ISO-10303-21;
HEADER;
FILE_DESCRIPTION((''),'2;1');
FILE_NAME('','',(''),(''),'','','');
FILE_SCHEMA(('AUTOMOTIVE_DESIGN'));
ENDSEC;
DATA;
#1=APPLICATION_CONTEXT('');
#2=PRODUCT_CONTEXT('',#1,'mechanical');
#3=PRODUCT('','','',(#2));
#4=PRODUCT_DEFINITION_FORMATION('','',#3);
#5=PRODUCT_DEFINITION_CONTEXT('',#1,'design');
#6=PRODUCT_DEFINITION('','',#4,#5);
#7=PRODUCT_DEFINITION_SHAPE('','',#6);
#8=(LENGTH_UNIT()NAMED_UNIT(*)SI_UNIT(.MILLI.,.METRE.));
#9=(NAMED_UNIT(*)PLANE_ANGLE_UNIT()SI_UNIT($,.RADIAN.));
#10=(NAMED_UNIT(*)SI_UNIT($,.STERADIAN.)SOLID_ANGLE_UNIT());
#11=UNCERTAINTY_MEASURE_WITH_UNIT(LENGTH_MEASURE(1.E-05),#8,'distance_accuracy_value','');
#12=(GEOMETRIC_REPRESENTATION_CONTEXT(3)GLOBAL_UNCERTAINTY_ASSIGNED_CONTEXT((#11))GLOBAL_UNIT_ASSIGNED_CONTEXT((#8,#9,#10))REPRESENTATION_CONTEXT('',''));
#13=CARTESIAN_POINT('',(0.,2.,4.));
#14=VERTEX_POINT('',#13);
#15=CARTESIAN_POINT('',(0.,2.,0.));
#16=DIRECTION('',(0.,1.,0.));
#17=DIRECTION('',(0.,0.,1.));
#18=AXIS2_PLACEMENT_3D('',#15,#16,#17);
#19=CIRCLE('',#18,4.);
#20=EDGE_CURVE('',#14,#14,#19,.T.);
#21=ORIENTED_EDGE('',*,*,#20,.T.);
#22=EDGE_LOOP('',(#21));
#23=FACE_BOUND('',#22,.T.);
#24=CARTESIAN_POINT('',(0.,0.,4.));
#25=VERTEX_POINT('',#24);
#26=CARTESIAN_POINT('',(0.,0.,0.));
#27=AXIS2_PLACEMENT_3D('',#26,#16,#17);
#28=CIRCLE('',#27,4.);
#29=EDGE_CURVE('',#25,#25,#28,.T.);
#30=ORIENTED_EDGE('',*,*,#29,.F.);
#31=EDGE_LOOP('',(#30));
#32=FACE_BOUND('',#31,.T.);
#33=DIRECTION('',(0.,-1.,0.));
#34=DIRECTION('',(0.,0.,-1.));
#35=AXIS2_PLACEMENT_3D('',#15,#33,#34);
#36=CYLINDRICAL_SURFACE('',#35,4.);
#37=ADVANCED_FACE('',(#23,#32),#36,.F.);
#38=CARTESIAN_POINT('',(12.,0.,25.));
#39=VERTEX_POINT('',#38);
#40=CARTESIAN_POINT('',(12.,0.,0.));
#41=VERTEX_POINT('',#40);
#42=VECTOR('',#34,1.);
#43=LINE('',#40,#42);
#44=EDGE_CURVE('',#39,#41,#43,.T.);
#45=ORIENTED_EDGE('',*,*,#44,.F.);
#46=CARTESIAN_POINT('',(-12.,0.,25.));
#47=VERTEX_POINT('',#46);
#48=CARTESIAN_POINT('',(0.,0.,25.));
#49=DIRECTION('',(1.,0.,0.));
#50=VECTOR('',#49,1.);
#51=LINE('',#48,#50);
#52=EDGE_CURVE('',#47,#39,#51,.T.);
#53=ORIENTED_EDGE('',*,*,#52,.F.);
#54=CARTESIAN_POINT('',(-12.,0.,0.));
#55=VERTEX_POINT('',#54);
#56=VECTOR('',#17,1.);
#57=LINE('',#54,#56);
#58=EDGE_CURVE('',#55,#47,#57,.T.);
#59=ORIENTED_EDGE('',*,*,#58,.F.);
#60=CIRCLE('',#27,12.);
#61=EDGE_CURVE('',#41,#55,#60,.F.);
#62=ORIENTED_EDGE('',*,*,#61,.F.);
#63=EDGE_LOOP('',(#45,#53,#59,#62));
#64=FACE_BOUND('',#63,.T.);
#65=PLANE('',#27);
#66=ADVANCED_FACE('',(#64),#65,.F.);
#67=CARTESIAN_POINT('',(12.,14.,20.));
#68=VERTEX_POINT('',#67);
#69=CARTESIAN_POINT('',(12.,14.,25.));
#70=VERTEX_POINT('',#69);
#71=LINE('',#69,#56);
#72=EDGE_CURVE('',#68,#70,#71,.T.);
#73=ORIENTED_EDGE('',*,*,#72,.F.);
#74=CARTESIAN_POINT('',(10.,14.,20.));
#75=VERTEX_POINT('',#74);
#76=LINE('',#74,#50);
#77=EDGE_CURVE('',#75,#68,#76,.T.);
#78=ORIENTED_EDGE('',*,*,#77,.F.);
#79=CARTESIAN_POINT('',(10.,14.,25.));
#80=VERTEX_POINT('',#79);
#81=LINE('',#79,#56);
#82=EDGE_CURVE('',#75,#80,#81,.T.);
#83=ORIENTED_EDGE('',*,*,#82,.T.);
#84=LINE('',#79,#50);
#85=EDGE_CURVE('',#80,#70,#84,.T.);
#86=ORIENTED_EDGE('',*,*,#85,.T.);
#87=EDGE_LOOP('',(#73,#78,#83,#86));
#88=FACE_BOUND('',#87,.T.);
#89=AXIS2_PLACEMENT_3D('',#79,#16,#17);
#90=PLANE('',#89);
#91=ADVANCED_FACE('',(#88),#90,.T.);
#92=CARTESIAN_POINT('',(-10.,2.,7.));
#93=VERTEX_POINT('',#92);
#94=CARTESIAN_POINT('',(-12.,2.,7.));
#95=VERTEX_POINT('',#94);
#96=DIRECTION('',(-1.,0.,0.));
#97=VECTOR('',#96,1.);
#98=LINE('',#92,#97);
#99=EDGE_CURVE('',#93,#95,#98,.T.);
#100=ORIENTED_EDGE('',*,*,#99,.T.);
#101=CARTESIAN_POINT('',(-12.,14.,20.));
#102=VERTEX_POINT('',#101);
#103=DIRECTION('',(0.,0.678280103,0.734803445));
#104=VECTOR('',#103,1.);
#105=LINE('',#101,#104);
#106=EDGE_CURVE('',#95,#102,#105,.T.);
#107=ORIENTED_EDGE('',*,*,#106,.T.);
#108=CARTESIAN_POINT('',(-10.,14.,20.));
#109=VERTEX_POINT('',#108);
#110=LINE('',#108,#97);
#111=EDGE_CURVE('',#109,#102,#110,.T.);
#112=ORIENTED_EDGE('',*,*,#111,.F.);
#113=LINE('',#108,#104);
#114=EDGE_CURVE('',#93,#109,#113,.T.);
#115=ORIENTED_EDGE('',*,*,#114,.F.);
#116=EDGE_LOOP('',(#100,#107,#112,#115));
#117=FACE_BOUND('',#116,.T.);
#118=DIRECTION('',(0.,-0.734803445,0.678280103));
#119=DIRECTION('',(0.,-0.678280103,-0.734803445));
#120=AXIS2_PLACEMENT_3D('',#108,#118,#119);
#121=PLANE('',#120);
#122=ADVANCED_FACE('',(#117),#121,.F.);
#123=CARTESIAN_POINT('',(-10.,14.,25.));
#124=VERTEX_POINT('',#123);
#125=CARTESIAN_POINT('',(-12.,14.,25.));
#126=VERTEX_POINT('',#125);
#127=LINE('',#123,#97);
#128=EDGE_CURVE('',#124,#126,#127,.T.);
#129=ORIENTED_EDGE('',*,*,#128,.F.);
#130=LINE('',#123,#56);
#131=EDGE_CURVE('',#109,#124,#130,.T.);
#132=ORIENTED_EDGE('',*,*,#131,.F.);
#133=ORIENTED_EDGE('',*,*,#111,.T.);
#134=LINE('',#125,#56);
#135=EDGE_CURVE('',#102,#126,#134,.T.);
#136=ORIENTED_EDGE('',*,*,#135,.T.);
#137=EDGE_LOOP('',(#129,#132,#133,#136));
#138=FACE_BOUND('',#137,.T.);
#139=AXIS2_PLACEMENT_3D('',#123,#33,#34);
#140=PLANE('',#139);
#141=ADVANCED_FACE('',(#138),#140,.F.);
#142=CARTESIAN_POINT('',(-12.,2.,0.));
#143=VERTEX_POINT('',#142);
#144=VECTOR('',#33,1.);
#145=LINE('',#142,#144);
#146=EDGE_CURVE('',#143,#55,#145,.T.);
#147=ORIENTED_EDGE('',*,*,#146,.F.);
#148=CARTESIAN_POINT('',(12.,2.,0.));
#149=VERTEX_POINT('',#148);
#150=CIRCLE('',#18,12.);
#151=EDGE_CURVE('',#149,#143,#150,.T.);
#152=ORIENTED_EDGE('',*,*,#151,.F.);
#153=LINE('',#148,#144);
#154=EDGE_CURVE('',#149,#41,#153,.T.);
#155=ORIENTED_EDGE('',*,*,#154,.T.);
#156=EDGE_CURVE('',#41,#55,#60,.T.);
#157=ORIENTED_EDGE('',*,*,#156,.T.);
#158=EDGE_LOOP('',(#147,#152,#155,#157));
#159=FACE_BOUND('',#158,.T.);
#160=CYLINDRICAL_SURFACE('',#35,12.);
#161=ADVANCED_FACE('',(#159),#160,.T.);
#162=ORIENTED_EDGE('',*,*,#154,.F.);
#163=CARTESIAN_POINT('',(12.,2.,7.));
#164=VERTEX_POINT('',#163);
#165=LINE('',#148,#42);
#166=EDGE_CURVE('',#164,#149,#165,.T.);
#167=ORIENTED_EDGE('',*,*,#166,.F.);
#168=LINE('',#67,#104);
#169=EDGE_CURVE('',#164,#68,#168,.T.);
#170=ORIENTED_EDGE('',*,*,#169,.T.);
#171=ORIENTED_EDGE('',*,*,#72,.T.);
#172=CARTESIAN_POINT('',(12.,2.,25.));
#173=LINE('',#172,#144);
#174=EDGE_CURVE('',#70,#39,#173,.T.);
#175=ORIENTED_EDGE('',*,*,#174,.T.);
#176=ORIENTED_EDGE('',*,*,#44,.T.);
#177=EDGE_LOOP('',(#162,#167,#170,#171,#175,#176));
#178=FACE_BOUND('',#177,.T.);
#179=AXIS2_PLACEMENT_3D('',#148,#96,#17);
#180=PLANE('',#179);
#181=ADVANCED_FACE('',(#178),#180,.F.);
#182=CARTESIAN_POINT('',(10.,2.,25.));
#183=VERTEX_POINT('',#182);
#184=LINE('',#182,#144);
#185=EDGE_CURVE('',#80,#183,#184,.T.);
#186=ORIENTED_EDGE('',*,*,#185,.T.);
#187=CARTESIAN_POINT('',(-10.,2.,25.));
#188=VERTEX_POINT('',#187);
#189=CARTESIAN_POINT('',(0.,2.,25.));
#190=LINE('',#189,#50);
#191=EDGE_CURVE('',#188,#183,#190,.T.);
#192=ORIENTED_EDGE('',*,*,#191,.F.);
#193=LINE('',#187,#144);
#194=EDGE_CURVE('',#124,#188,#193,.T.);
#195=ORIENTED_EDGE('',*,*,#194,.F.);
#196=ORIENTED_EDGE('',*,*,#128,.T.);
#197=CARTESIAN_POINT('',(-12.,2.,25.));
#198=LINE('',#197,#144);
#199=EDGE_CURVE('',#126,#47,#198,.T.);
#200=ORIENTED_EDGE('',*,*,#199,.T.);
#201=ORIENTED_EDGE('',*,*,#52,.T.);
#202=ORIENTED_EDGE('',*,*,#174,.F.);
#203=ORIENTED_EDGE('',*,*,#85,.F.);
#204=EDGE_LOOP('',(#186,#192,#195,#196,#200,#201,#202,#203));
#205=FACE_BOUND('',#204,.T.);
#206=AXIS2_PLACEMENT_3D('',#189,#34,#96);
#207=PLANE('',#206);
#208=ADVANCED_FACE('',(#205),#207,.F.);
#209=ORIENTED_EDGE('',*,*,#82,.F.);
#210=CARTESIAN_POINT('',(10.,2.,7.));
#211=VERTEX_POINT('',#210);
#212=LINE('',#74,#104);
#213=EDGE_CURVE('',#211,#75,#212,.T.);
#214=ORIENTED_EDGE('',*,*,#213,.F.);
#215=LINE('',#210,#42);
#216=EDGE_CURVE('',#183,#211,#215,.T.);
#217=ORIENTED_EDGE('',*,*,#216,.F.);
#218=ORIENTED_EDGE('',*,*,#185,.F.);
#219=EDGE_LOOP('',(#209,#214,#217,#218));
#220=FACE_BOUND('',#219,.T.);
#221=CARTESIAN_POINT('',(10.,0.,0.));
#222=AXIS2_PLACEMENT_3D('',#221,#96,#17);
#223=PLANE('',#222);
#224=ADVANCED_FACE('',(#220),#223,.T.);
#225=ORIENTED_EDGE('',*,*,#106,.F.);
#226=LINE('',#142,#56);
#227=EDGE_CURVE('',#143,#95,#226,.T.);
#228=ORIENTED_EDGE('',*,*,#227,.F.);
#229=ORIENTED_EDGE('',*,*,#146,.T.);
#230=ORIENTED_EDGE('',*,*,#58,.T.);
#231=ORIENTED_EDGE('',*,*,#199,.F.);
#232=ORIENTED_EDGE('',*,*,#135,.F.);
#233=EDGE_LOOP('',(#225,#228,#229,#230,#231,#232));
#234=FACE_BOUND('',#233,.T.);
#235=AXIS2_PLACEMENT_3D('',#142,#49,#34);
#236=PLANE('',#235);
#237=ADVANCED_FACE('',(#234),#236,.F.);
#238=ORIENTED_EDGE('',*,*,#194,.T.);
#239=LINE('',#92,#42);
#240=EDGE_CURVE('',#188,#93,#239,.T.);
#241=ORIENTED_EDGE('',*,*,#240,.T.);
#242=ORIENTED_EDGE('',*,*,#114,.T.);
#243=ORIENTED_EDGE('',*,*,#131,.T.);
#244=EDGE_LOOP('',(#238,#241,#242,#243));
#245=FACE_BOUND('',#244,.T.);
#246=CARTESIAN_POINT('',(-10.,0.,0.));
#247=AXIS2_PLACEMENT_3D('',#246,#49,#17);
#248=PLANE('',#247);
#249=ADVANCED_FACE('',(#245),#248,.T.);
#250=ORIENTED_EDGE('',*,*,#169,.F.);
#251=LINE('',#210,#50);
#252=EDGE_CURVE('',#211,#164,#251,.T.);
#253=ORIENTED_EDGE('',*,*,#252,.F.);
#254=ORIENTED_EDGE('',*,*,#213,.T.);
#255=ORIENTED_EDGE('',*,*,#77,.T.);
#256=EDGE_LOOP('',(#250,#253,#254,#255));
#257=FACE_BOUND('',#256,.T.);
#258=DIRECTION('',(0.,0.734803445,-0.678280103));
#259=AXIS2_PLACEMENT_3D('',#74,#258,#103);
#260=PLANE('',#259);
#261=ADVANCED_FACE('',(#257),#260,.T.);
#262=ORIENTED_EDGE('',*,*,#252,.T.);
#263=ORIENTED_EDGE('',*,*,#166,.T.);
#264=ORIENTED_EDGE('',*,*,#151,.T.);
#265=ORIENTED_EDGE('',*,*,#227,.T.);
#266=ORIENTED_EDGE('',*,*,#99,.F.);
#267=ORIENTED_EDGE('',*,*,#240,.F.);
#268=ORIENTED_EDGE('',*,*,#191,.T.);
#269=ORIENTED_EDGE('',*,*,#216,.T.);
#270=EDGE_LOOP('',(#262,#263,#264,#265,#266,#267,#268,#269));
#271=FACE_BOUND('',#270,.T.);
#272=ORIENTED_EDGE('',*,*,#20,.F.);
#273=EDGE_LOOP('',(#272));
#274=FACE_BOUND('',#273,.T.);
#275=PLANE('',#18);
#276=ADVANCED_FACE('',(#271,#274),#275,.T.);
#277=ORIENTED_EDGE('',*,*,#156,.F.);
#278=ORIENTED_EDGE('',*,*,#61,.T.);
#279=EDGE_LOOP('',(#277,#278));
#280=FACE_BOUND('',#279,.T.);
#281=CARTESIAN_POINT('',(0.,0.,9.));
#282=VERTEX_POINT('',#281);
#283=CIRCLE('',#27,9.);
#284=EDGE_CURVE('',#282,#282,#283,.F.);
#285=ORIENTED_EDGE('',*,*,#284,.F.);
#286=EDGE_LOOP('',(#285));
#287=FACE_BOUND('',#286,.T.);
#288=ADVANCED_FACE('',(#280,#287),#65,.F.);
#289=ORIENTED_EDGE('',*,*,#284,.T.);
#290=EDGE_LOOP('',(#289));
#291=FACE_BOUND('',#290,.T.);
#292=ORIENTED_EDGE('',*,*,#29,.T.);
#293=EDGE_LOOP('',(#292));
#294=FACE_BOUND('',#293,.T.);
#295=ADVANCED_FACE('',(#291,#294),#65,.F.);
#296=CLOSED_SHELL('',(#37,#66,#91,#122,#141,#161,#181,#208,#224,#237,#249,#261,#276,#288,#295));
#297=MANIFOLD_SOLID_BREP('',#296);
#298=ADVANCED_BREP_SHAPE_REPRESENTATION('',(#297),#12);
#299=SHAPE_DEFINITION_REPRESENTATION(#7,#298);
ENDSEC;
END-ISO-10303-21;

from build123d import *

# Parameters (mm, degrees)
SKETCH_1_R      = 12
SKETCH_1_R_2    = 4
EXTRUDE_1_DEPTH = 2
EXTRUDE_2_DEPTH = 2


with BuildPart() as part:
    # 草图1 → 凸台-拉伸1 (new body)
    # profile 1 of 2: a face of its own
    with BuildSketch(Plane(origin=(0, 0, 0), x_dir=(1, 0, 0), z_dir=(0, 1, 0))):
        Circle(SKETCH_1_R)
        with Locations(Location((0, 0, 0), (0, 0, 270))):
            Circle(SKETCH_1_R_2, mode=Mode.SUBTRACT)
    # profile 2 of 2: a face of its own
    with BuildSketch(Plane(origin=(0, 0, 0), x_dir=(1, 0, 0), z_dir=(0, 1, 0))):
        with BuildLine():
            ThreePointArc((12, 0), (0, -12), (-12, 0))
            Line((-12, 0), (-12, -25))
            Line((-12, -25), (12, -25))
            Line((12, -25), (12, 0))
        make_face()
    extrude(amount=EXTRUDE_1_DEPTH)

    # 草图3 → 凸台-拉伸2 (add)
    with BuildSketch(Plane(origin=(12, 0, 0), x_dir=(0, 0, -1), z_dir=(1, 0, 0))):
        Polygon((-25, 2), (-25, 14), (-20, 14), (-7, 2), align=None)
    extrude_2 = extrude(amount=-EXTRUDE_2_DEPTH)

    # 镜向1: 凸台-拉伸2 across plane
    add(extrude_2.mirror(Plane(origin=(0, 0, 0), x_dir=(0, 0, 1), z_dir=(1, 0, 0))))


solid = part.part
